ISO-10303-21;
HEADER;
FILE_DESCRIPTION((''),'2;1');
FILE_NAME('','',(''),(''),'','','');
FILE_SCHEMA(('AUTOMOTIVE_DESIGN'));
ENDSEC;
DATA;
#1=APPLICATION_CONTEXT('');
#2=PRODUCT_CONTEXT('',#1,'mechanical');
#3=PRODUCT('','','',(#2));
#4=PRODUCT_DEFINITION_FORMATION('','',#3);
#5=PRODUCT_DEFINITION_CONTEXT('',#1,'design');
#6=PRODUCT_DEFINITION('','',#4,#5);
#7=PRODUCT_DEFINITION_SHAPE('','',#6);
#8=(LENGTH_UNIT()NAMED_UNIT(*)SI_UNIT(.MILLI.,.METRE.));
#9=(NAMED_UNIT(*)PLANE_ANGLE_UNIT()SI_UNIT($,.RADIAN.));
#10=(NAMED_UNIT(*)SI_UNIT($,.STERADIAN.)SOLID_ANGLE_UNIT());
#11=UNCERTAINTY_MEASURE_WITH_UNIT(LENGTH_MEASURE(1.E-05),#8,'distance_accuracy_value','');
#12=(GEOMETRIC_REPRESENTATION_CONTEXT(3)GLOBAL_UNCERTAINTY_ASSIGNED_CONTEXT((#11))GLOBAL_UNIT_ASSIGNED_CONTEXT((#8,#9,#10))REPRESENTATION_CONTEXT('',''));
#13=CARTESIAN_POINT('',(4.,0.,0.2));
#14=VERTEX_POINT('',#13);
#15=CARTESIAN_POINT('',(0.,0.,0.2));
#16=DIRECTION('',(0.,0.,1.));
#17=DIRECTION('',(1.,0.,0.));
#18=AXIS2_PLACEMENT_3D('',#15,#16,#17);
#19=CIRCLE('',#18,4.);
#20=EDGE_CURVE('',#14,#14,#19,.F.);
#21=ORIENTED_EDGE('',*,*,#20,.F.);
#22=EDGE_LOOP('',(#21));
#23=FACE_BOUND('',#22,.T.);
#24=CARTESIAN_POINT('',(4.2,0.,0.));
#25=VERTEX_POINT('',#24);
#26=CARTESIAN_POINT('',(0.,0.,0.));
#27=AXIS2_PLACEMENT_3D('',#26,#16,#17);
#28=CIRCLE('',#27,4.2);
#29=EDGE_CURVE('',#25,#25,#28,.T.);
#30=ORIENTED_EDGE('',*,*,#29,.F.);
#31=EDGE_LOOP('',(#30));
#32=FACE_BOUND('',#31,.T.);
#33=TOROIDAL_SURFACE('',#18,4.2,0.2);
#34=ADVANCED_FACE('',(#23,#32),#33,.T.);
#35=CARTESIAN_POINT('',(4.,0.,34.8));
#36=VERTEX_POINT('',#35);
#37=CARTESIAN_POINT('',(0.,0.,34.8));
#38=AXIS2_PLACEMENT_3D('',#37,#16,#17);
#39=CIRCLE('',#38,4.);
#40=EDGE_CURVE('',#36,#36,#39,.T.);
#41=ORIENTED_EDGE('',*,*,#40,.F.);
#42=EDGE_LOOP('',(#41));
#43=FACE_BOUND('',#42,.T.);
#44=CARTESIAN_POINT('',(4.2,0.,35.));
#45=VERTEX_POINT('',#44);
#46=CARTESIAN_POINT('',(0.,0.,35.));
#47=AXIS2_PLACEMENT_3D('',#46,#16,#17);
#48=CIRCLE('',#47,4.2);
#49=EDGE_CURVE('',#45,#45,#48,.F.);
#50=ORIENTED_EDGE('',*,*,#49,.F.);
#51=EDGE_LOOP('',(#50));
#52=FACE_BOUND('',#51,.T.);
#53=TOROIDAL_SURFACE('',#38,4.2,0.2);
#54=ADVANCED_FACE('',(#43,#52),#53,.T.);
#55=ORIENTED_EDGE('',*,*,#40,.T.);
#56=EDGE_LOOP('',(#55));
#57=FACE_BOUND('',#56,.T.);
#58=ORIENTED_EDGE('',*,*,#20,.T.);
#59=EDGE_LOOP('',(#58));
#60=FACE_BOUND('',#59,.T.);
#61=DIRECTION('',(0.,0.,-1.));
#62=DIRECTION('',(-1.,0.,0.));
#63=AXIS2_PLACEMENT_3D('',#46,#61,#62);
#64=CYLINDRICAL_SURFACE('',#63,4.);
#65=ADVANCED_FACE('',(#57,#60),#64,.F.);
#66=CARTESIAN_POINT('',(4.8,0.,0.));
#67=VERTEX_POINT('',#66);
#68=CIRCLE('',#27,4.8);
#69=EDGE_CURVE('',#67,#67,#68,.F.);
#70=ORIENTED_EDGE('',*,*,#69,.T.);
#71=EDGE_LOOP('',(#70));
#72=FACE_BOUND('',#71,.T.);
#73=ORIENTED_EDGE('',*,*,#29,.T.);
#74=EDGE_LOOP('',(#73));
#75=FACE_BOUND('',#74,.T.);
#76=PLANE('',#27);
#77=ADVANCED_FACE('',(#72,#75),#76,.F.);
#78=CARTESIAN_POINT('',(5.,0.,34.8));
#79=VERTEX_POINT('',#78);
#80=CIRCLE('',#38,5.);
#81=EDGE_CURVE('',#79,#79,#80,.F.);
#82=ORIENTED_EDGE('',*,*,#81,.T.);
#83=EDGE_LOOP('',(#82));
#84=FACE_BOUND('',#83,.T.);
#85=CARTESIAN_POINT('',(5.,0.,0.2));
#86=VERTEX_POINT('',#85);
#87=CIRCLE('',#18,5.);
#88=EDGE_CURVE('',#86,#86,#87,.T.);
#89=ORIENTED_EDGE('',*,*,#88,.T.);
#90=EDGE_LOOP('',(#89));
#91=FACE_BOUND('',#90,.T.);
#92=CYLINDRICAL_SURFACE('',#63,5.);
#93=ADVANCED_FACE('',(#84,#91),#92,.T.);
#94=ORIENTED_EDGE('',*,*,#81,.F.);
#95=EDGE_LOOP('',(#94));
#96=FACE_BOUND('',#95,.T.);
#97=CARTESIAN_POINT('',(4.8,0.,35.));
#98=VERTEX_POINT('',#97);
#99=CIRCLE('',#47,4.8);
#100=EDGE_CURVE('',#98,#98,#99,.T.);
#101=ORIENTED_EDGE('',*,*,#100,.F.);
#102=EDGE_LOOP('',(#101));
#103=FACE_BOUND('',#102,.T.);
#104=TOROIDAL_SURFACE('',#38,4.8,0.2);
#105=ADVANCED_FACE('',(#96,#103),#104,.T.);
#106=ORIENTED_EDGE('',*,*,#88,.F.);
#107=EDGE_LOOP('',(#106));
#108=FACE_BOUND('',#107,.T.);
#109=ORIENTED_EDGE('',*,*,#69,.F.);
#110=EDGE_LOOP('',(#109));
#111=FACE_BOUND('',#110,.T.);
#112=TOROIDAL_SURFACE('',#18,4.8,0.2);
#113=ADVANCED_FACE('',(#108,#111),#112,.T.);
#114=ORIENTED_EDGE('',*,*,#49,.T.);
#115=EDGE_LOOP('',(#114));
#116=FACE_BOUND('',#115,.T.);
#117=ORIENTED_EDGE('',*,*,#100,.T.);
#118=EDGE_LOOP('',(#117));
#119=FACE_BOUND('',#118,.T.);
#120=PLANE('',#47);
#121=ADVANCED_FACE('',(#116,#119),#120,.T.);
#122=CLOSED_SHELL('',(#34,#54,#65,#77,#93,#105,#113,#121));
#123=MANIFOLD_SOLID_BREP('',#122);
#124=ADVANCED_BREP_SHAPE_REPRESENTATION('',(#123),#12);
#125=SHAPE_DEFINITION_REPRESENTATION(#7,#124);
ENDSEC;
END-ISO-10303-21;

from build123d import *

# Parameters (mm, degrees)
SKIZZE1_R                       = 5
SKIZZE1_R_2                     = 4
AUFSATZ_LINEAR_AUSTRAGEN1_DEPTH = 35
VERRUNDUNG1_R                   = 0.2


with BuildPart() as part:
    # Skizze1 → Aufsatz-Linear austragen1 (new body)
    with BuildSketch(Plane.XY):
        Circle(SKIZZE1_R)
        Circle(SKIZZE1_R_2, mode=Mode.SUBTRACT)
    extrude(amount=AUFSATZ_LINEAR_AUSTRAGEN1_DEPTH)

    # Verrundung1
    verrundung1_edges = [part.edges().sort_by_distance(p)[0] for p in [
        (-5, 0, 0),
        (-5, 0, 35),
        (-4, 0, 0),
        (-4, 0, 35),
    ]]
    fillet(verrundung1_edges, radius=VERRUNDUNG1_R)


solid = part.part
